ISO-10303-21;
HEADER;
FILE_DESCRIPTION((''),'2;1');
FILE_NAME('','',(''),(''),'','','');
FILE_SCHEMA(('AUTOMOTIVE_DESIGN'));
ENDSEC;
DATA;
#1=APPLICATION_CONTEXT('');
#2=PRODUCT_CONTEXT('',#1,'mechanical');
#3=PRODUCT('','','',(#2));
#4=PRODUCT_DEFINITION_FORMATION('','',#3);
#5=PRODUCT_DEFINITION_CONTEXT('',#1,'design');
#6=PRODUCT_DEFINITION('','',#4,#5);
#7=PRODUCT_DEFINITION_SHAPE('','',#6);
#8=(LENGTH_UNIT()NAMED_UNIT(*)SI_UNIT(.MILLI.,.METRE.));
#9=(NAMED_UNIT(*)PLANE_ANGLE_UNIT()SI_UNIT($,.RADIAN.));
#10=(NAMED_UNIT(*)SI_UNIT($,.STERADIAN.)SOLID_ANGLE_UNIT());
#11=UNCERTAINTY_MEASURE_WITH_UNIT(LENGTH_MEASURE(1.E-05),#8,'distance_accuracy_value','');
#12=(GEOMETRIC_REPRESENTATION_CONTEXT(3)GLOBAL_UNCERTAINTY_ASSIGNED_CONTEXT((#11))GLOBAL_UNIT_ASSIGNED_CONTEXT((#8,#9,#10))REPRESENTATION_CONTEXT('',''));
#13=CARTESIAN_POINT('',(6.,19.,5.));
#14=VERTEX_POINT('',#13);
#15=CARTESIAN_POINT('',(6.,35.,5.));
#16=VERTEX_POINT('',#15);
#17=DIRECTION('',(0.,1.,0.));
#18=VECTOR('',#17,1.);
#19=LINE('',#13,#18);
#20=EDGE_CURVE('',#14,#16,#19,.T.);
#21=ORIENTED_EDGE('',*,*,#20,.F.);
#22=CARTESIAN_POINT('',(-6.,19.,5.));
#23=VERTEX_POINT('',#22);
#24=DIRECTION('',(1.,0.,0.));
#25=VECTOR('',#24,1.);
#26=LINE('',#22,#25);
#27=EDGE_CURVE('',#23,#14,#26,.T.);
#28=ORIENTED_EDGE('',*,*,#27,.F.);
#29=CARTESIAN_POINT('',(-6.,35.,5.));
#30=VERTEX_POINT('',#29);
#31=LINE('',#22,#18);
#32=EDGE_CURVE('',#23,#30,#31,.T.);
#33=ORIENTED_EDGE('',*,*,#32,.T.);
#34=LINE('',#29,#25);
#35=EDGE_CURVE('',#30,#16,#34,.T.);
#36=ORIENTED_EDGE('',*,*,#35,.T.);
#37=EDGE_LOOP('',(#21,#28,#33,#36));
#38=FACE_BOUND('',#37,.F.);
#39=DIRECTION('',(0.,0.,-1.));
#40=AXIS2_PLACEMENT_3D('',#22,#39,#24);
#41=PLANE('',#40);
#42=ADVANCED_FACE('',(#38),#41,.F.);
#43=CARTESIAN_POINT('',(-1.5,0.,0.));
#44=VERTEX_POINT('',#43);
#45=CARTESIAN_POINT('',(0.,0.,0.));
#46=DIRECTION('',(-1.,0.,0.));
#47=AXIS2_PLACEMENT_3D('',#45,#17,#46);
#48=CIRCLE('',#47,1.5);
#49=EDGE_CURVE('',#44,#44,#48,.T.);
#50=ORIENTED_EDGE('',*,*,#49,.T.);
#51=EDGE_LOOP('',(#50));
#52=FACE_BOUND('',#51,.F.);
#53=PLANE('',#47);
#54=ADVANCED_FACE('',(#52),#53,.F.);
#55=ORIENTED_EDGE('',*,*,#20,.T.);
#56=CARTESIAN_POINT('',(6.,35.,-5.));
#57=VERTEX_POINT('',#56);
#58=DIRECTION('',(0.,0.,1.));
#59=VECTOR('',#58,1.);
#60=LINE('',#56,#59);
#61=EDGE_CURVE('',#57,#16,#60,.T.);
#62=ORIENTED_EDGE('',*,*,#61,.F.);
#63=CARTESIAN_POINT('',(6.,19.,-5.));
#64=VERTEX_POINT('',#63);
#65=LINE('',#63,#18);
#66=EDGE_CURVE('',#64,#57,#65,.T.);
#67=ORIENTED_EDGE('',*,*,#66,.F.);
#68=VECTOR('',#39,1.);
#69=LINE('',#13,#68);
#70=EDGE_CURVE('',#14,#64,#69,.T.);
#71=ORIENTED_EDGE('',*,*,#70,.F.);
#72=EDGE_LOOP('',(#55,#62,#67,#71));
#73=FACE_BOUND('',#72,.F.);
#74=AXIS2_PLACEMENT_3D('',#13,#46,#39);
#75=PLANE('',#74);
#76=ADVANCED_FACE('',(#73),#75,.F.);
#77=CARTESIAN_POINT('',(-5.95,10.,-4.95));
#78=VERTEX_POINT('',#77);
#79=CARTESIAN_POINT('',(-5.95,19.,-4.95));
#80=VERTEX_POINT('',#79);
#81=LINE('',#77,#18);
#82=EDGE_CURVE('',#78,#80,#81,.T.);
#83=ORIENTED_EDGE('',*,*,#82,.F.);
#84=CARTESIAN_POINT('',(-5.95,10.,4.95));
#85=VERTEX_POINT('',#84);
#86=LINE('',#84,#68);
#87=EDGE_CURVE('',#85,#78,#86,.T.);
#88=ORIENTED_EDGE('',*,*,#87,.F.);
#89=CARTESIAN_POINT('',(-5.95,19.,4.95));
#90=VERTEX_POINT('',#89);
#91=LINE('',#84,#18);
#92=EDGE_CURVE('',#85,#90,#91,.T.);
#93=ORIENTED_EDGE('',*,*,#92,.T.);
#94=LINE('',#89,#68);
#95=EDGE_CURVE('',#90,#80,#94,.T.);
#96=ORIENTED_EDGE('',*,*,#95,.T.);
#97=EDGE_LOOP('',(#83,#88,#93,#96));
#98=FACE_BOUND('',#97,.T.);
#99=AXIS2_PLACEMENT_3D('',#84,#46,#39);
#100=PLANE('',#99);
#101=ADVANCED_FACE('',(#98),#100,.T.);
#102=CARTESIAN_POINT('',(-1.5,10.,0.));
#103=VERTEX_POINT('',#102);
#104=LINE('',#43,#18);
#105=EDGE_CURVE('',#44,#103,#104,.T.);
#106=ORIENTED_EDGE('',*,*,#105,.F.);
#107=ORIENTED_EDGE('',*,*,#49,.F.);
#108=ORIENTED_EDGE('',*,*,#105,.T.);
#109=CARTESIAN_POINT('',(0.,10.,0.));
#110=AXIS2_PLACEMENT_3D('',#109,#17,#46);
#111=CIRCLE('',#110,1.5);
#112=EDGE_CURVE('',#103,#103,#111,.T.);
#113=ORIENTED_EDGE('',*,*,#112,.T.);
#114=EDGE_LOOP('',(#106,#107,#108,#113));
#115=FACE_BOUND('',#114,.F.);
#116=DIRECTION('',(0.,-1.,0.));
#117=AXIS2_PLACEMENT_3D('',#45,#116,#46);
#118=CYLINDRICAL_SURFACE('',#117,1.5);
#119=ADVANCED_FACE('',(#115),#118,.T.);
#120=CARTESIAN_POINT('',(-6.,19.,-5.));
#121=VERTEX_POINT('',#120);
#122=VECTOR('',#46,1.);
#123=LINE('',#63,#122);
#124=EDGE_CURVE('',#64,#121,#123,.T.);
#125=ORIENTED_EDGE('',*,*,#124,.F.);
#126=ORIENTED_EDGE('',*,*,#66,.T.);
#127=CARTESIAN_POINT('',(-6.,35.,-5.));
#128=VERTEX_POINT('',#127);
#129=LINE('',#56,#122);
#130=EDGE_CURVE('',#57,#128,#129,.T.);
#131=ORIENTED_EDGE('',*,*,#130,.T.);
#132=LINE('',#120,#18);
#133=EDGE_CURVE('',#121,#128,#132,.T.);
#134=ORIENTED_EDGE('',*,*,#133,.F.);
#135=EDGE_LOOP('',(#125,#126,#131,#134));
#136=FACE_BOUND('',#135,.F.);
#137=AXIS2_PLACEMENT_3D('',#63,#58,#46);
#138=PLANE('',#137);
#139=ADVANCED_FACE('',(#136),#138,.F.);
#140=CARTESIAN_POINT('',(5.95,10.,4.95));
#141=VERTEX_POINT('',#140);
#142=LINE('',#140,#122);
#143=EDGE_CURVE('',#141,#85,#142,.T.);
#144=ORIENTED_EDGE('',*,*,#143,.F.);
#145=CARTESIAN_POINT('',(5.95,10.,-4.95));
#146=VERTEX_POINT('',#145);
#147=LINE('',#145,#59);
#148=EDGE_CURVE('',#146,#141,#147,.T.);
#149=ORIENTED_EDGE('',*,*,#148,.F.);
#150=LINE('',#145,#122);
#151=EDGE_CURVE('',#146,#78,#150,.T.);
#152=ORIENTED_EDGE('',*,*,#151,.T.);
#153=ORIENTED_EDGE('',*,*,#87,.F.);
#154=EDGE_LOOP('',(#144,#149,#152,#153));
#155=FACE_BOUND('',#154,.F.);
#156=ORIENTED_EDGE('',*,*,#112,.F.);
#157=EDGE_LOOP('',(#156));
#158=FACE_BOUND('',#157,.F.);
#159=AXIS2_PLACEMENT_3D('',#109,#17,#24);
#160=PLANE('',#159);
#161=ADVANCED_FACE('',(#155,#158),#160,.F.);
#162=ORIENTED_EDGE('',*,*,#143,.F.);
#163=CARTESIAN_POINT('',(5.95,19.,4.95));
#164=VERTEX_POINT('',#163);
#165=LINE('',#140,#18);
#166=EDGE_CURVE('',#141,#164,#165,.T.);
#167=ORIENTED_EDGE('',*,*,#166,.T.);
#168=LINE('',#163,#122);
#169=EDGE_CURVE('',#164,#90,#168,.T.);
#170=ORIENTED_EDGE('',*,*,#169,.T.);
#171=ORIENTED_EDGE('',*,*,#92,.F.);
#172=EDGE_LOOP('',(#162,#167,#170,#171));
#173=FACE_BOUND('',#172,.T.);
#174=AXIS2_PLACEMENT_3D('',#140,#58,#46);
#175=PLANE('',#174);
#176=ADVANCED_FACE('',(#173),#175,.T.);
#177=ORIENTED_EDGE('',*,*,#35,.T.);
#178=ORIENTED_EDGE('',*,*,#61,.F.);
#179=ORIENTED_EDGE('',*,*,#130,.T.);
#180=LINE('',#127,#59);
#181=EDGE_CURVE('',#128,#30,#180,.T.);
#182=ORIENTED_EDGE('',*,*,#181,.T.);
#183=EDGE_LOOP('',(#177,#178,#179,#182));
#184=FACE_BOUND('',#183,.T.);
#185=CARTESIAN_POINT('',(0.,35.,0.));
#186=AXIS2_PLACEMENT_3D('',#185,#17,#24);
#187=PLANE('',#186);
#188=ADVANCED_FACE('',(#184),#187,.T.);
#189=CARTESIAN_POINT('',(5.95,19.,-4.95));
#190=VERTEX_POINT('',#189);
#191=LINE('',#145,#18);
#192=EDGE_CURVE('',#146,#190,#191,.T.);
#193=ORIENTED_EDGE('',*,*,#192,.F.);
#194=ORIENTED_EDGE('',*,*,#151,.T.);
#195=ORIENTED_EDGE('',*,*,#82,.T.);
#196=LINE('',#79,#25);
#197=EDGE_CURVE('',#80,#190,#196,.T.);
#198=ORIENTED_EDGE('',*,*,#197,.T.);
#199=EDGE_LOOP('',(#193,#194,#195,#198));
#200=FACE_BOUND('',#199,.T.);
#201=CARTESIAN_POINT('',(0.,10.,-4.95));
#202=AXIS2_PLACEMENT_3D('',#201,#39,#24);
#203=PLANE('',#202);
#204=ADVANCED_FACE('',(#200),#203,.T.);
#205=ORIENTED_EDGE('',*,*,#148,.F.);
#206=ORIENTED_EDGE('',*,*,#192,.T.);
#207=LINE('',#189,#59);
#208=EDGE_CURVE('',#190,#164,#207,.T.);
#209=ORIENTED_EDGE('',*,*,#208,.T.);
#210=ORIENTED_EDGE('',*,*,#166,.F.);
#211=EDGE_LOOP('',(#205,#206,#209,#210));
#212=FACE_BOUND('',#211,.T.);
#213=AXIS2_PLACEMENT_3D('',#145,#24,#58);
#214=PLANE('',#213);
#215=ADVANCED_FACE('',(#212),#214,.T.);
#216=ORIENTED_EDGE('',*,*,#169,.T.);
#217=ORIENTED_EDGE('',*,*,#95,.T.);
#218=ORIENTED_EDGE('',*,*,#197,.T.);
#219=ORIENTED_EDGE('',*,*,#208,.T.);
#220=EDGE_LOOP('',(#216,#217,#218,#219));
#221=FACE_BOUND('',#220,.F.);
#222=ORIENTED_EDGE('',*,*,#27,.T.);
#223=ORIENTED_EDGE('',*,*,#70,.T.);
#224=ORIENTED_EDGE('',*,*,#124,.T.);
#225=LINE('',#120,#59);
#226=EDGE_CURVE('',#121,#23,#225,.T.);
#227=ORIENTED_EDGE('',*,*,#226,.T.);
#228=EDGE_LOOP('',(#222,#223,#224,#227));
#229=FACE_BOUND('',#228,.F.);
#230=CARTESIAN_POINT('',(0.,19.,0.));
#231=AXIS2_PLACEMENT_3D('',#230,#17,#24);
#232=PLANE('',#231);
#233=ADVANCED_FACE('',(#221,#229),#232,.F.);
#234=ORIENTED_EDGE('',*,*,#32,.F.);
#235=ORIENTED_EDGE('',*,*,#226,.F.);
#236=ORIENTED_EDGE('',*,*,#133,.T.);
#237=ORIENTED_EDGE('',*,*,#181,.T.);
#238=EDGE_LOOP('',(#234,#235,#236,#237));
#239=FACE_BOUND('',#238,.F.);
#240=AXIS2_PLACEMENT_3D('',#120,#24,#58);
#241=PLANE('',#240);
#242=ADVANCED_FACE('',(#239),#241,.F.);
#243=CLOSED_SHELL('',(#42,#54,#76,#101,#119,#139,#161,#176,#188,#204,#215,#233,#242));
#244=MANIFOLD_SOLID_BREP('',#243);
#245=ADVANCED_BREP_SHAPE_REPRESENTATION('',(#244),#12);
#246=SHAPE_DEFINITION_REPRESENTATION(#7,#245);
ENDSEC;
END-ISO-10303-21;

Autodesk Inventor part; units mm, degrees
ref_plane "YZ Plane" through (0, 0, 0) normal (1, 0, 0) x (0, 1, 0)
ref_plane "XZ Plane" through (0, 0, 0) normal (0, 1, 0) x (-1, 0, 0)
ref_plane "XY Plane" through (0, 0, 0) normal (0, 0, 1) x (1, 0, 0)
sketch "Sketch1" plane through (0, 0, 0) normal (0, 1, 0) x (-1, 0, 0)
  circle A0 centre (0, 0) radius 1.5
  dimension "d0" = 3
extrude "Extrusion1" add sketch "Sketch1" along normal blind 10
sketch "Sketch2" plane through (0, 10, 0) normal (0, 1, 0) x (1, 0, 0)
  line L0 (0, 0) -> (0, 4.95)
  line L1 (0, 4.95) -> (-5.95, 4.95)
  line L2 (-5.95, 4.95) -> (5.95, 4.95)
  line L3 (5.95, 4.95) -> (5.95, -4.95)
  line L4 (5.95, -4.95) -> (-5.95, -4.95)
  line L5 (-5.95, -4.95) -> (-5.95, 4.95)
  dimension "d3" = 4.95
  dimension "d4" = 5.95
  dimension "d5" = 11.9
  dimension "d6" = 9.9
extrude "Extrusion2" add sketch "Sketch2" along normal blind 9
sketch "Sketch3" plane through (0, 19, 0) normal (0, 1, 0) x (1, 0, 0)
  line L0 (0, 0) -> (6, 0)
  line L1 (6, 0) -> (6, 5)
  line L2 (6, 5) -> (-6, 5)
  line L3 (-6, 5) -> (-6, -5)
  line L4 (-6, -5) -> (6, -5)
  line L5 (6, -5) -> (6, 5)
  dimension "d9" = 6
  dimension "d10" = 5
  dimension "d11" = 12
  dimension "d12" = 10
extrude "Extrusion3" add sketch "Sketch3" along normal blind 16
properties part number "motor"
